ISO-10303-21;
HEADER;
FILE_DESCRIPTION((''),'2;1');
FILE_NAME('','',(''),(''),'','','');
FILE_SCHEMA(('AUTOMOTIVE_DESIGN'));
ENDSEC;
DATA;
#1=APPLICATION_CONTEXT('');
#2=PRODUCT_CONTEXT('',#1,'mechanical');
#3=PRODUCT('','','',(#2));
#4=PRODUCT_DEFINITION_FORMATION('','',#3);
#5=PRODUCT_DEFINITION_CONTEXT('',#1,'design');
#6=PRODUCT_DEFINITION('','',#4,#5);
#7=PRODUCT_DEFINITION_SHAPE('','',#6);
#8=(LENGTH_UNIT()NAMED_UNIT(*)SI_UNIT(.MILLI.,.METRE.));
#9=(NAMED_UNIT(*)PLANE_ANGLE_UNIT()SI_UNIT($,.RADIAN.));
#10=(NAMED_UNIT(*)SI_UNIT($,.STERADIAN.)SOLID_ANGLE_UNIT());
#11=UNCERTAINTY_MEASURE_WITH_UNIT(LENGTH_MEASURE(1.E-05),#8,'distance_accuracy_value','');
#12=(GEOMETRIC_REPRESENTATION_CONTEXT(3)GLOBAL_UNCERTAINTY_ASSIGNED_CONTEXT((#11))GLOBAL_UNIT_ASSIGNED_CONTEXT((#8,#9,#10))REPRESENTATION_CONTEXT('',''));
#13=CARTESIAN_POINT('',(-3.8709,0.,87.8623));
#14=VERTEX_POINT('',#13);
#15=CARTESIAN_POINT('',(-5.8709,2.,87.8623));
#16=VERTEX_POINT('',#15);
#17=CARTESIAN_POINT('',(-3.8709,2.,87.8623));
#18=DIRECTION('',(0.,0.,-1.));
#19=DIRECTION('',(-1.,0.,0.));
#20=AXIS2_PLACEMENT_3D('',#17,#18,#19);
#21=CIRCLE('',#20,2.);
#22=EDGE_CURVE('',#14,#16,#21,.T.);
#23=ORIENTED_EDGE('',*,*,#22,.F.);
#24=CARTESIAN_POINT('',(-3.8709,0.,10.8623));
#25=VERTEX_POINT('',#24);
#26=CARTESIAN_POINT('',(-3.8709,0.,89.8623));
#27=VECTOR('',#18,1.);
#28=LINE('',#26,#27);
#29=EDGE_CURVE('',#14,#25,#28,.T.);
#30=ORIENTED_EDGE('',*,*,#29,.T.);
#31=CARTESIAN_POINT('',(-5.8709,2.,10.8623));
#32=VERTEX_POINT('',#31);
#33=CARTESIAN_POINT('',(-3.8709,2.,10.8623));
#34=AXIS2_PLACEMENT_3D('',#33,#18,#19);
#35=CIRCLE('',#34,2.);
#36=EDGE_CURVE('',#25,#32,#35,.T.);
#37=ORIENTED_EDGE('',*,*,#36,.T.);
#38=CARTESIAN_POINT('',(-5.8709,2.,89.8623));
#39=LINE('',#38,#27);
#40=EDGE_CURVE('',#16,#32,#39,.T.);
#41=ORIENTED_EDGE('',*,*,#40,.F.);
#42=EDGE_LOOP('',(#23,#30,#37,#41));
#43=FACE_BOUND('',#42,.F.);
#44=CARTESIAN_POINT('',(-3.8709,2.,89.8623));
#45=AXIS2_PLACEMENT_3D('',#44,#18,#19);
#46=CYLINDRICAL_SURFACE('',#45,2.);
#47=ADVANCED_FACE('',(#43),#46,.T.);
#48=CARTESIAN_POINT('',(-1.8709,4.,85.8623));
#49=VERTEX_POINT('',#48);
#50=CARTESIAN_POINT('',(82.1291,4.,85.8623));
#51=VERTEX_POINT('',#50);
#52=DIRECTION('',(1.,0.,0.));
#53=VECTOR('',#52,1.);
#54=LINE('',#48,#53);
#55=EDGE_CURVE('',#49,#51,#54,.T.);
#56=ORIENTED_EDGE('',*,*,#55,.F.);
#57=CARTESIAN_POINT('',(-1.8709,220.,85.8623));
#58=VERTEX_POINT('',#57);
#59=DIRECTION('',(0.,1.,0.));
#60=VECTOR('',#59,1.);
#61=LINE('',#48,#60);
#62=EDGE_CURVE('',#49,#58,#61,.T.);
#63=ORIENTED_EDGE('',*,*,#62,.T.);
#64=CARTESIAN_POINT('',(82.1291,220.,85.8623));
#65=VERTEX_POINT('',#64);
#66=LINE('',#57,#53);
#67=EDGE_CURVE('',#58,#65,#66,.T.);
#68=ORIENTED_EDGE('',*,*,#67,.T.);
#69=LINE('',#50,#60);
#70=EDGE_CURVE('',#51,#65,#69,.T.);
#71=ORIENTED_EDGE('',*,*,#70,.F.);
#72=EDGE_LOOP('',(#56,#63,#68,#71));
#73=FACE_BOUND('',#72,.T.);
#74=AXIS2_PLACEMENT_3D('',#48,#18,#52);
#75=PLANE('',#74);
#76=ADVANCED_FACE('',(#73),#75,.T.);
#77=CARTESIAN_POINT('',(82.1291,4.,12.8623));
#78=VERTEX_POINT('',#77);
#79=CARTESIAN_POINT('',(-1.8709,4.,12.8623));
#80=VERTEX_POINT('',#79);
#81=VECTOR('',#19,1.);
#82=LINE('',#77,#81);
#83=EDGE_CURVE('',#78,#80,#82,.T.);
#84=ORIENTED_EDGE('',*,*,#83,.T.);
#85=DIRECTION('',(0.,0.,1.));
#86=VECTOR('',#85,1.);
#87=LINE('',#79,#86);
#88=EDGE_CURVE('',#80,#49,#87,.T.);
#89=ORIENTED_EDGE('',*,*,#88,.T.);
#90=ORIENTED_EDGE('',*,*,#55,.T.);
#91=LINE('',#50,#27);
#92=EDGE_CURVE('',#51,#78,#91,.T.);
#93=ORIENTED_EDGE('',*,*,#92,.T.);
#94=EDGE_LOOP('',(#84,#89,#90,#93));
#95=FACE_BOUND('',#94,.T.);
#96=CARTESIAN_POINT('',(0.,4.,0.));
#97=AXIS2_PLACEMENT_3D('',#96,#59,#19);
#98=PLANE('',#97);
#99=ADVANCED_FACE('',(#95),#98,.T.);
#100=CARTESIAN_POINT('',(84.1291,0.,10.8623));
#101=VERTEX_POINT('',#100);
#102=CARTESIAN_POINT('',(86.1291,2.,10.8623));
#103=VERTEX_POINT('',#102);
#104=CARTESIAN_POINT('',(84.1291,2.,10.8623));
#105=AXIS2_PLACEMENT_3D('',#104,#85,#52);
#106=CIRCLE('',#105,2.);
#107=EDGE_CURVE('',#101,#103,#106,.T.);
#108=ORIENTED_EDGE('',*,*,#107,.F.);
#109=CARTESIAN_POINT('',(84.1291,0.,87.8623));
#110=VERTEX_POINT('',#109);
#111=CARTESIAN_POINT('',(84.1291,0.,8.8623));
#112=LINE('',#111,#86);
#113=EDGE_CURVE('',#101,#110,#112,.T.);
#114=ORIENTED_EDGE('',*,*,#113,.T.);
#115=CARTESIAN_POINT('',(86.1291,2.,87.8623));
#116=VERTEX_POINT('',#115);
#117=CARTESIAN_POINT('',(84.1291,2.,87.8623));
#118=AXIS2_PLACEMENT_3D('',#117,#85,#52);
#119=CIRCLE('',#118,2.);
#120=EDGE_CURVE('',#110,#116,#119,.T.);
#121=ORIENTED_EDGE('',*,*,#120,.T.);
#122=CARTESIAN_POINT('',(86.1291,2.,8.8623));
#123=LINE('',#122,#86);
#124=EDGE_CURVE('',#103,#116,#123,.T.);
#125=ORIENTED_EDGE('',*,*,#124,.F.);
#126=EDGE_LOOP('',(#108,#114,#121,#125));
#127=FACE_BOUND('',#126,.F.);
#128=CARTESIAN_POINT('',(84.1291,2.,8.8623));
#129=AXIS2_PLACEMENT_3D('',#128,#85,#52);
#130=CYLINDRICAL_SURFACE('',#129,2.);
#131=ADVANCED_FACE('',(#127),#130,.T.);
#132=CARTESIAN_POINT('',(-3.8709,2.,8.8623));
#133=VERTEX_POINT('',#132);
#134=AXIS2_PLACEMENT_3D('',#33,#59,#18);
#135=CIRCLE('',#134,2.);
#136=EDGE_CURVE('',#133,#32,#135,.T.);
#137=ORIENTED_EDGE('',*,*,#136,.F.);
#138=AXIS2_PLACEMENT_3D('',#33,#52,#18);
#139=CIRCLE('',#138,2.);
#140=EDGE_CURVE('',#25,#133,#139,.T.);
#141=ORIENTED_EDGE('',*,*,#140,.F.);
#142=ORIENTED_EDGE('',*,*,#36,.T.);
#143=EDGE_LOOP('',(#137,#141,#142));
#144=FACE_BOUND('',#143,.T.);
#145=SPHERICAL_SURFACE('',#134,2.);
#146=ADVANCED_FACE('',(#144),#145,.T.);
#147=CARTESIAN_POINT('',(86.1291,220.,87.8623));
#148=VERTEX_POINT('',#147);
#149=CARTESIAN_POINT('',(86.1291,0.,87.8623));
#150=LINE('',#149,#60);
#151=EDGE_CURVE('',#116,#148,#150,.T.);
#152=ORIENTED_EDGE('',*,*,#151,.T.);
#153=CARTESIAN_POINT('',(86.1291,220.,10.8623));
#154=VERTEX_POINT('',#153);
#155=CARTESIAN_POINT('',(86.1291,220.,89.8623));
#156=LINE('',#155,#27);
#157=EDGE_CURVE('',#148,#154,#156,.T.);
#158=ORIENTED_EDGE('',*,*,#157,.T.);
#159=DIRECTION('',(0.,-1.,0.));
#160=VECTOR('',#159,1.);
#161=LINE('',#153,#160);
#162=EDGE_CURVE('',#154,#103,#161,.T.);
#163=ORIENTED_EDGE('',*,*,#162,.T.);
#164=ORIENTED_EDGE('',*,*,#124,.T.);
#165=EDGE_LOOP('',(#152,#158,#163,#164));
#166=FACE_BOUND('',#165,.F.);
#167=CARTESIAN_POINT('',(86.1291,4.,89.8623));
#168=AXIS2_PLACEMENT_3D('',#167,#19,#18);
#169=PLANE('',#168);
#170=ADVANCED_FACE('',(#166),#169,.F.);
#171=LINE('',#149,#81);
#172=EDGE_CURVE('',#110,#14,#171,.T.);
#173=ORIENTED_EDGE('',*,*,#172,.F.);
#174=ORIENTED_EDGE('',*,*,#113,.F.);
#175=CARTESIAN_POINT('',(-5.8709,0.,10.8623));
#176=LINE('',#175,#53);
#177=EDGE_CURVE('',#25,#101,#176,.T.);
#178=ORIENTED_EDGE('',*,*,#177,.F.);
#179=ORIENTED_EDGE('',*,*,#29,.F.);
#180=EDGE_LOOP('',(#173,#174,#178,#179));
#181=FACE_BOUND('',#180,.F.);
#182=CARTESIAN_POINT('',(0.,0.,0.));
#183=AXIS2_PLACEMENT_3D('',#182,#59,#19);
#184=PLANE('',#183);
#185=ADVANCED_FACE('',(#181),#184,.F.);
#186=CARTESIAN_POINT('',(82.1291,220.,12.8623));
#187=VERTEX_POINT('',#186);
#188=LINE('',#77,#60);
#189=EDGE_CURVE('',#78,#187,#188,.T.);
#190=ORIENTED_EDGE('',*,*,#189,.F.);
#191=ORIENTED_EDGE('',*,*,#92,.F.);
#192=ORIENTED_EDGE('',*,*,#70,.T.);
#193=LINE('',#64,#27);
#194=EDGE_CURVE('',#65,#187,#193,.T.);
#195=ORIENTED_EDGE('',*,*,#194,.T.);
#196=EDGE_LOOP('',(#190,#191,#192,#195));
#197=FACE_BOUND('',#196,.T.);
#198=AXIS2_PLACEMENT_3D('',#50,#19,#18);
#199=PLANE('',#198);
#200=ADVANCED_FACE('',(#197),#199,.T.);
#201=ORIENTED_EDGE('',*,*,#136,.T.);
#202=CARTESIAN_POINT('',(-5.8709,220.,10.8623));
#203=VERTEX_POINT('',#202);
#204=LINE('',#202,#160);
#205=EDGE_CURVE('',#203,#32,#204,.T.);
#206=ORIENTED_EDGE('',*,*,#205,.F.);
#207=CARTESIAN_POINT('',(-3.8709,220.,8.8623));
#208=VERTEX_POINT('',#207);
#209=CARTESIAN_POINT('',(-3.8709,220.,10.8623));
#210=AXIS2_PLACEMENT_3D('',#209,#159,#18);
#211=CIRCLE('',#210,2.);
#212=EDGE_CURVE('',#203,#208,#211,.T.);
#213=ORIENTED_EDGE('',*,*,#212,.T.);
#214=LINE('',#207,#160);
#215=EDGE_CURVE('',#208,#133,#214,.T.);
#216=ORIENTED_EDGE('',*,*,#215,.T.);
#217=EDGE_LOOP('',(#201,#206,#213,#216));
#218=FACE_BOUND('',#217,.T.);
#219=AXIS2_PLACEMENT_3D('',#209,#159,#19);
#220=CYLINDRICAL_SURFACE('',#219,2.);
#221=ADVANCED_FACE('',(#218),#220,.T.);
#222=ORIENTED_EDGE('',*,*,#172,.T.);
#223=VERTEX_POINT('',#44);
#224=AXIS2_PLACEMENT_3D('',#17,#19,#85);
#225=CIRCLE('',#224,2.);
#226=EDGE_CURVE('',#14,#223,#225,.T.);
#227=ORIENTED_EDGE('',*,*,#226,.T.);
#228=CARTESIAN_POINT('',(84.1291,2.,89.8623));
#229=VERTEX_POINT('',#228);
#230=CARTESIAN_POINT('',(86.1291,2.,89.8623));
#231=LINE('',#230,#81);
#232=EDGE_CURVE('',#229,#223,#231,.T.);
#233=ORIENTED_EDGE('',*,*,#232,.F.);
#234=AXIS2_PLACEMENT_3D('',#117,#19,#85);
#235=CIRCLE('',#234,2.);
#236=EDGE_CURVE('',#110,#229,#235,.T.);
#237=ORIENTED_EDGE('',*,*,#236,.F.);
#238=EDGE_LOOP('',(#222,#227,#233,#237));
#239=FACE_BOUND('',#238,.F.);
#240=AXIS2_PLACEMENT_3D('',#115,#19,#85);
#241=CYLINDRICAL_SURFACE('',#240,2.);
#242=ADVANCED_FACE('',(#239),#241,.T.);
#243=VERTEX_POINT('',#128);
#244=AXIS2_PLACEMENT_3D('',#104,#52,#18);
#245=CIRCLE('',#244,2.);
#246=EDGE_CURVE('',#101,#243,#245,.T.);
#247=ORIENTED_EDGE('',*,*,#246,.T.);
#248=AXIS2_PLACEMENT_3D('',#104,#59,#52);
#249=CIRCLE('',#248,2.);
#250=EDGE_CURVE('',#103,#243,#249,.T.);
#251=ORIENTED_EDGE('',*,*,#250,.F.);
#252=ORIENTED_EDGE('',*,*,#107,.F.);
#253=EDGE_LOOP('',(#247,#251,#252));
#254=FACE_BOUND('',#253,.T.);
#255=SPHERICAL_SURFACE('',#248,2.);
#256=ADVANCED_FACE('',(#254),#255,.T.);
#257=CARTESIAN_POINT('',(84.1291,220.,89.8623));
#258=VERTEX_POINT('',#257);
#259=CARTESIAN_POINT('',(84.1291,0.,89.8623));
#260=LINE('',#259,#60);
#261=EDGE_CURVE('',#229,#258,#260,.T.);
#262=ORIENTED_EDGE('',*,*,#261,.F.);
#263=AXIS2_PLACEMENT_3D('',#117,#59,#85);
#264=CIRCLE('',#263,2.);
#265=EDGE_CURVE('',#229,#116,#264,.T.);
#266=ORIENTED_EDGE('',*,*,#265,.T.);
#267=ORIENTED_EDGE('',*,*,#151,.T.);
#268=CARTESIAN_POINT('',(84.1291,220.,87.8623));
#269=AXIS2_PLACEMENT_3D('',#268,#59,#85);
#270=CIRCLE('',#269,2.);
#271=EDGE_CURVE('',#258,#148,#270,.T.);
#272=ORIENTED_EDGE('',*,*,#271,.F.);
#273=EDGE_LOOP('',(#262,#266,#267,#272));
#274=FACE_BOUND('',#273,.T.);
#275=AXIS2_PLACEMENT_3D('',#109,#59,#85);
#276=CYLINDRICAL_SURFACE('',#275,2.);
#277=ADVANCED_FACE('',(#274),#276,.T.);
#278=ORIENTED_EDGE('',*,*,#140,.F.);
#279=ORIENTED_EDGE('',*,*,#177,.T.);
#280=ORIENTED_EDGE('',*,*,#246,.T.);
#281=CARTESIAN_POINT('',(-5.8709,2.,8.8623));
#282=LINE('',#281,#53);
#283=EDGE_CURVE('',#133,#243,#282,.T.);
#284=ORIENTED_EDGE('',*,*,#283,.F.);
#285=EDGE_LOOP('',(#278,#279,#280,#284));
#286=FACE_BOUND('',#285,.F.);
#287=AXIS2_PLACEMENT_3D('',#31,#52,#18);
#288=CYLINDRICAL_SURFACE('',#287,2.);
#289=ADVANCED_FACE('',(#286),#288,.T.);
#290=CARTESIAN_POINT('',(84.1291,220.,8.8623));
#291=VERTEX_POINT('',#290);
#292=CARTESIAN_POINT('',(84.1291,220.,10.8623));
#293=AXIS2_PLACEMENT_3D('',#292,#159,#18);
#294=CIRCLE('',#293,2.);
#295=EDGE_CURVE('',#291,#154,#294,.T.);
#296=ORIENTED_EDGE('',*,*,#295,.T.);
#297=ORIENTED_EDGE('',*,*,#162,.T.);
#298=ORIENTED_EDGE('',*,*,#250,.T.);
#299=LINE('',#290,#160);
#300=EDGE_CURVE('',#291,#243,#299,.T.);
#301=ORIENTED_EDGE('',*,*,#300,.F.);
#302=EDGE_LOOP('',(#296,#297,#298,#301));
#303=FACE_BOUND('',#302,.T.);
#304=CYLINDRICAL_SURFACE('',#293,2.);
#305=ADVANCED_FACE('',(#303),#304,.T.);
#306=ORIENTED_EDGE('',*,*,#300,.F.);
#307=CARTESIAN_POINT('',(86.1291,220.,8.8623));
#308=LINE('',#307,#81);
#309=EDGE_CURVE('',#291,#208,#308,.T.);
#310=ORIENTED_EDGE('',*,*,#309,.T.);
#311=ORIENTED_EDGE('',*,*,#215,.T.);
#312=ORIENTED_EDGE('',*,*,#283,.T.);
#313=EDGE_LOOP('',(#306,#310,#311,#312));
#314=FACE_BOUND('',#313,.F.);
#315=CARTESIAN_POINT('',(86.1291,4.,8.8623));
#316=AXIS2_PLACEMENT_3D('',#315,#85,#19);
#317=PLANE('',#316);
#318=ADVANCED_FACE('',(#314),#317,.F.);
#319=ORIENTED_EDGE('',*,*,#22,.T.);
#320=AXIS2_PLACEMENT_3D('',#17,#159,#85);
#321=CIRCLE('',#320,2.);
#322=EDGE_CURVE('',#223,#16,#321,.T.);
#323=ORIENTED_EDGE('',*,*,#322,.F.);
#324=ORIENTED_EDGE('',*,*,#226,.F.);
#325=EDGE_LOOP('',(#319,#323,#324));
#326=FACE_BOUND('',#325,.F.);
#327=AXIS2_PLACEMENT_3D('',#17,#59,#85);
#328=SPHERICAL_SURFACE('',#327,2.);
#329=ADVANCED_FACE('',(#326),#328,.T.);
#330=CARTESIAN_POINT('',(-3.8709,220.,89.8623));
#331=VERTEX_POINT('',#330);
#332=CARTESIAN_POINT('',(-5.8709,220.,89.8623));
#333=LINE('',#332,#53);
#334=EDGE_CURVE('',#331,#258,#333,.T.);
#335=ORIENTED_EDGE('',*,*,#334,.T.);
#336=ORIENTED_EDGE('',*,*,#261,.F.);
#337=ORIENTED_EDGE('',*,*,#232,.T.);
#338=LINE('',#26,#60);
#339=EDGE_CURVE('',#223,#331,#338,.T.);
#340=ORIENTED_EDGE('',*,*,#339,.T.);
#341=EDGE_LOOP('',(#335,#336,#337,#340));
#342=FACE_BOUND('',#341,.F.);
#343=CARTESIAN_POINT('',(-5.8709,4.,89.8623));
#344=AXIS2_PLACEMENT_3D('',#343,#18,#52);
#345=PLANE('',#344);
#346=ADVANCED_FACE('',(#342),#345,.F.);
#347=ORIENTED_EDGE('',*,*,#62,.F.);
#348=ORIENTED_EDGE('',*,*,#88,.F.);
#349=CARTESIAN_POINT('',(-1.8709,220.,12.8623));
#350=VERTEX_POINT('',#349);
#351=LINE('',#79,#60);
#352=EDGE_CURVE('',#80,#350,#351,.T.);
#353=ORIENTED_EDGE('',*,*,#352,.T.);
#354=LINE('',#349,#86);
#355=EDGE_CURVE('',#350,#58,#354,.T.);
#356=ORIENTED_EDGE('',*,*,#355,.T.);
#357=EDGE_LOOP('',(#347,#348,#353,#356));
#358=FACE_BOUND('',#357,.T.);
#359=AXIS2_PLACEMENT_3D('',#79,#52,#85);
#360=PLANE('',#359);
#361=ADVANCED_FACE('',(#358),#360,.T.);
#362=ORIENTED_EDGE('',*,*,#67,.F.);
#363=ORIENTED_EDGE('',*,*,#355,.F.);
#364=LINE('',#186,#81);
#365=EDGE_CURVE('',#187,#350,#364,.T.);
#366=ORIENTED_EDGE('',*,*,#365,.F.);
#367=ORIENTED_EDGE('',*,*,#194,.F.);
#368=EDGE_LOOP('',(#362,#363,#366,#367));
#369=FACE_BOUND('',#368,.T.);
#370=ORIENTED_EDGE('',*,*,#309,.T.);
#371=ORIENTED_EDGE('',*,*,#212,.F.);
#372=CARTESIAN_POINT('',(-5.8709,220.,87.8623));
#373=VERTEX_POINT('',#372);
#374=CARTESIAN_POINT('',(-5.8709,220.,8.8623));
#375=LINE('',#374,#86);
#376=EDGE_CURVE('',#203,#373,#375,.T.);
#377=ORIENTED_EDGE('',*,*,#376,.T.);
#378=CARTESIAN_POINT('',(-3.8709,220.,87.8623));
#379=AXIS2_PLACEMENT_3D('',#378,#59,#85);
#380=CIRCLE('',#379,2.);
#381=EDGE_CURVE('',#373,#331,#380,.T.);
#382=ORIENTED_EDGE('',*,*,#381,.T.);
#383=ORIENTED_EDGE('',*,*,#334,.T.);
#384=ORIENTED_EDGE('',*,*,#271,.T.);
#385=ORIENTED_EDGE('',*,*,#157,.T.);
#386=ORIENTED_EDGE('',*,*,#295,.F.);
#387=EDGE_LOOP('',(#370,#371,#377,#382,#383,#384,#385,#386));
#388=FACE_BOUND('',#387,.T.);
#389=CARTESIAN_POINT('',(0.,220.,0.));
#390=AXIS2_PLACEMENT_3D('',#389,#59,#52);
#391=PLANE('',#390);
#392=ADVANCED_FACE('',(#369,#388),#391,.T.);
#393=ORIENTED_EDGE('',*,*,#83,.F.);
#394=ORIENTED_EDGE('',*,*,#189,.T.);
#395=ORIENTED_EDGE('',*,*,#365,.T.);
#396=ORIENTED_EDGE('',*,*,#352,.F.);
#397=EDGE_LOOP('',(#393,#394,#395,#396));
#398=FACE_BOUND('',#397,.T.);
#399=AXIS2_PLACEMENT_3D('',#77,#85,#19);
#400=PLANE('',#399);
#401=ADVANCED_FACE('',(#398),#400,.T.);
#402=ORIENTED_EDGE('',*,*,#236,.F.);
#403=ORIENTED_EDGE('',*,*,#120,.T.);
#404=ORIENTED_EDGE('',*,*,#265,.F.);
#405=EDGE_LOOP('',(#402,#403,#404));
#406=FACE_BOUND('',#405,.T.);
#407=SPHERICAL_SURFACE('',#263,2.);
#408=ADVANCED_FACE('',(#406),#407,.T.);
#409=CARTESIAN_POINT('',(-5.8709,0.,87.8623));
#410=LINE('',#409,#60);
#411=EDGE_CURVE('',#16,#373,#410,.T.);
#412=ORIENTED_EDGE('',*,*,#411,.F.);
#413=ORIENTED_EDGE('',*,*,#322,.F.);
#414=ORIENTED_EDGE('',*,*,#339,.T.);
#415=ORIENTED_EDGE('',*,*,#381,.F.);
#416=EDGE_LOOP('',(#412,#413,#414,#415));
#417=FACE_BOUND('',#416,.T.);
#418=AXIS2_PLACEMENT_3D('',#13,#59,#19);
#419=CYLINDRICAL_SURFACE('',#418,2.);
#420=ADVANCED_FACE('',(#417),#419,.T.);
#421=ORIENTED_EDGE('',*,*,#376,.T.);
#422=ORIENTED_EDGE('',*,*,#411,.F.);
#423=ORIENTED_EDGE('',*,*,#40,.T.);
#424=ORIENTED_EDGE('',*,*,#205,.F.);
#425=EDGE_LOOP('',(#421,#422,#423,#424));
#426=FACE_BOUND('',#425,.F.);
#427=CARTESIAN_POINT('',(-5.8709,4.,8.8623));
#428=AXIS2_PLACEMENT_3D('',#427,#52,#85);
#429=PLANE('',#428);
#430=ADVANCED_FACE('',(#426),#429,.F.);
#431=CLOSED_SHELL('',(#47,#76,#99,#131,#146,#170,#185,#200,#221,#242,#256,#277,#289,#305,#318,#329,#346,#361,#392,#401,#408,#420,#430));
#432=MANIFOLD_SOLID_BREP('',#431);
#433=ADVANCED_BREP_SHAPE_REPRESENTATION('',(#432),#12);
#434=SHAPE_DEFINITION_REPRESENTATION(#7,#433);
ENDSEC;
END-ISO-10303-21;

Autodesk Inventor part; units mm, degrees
ref_plane "YZ Plane" through (0, 0, 0) normal (1, 0, 0) x (0, 1, 0)
ref_plane "XZ Plane" through (0, 0, 0) normal (0, 1, 0) x (-1, 0, 0)
ref_plane "XY Plane" through (0, 0, 0) normal (0, 0, 1) x (1, 0, 0)
sketch "Sketch1" plane through (0, 0, 0) normal (0, 1, 0) x (-1, 0, 0)
  point P0 (0, 0)
sketch "Sketch2" plane through (0, 0, 0) normal (0, 1, 0) x (-1, 0, 0)
  line L0 (5.8709, 8.8623) -> (-86.1291, 8.8623)
  line L1 (-86.1291, 8.8623) -> (-86.1291, 89.8623)
  line L2 (-86.1291, 89.8623) -> (5.8709, 89.8623)
  line L3 (5.8709, 89.8623) -> (5.8709, 8.8623)
  line L4 (1.8709, 85.8623) -> (-82.1291, 85.8623)
  line L5 (-82.1291, 85.8623) -> (-82.1291, 12.8623)
  line L6 (-82.1291, 12.8623) -> (1.8709, 12.8623)
  line L7 (1.8709, 12.8623) -> (1.8709, 85.8623)
  point P0 (0, 0)
  dimension "d0" = 92
  dimension "d1" = 81
  dimension "d4" = 84
  dimension "d5" = 73
extrude "Extrusion1" add sketch "Sketch2" along normal blind 4 contours L0 L1 L2 L3 | L7 L6 L5 L4
sketch "Sketch3" plane through (0, 4, 0) normal (0, 1, 0) x (1, 0, 0)
  line L0 (-5.8709, -89.8623) -> (86.1291, -89.8623) projected
  line L1 (-1.8709, -89.8623) -> (2.1291, -89.8623) construction
  line L2 (-1.8709, -85.8623) -> (82.1291, -85.8623)
  line L3 (82.1291, -85.8623) -> (82.1291, -12.8623)
  line L4 (82.1291, -12.8623) -> (-1.8709, -12.8623)
  line L5 (-1.8709, -12.8623) -> (-1.8709, -85.8623)
  line L6 (86.1291, -89.8623) -> (86.1291, -8.8623) projected
  line L7 (-5.8709, -89.8623) -> (86.1291, -89.8623)
  line L8 (86.1291, -89.8623) -> (86.1291, -8.8623)
  line L9 (86.1291, -8.8623) -> (-5.8709, -8.8623)
  line L10 (-5.8709, -8.8623) -> (-5.8709, -89.8623)
  point P0 (0, 0)
  dimension "d9" = 4
  dimension "d11" = 84
  dimension "d12" = 73
extrude "Extrusion2" add sketch "Sketch3" along normal blind 216
fillet "Fillet1" radius 2 8 edges at (86.1291, 110, 89.8623) (86.1291, 110, 8.8623) (-5.8709, 110, 8.8623) (-5.8709, 110, 89.8623) (40.1291, 0, 89.8623) (86.1291, 0, 49.3623) (40.1291, 0, 8.8623) (-5.8709, 0, 49.3623)
properties part number "Battery Box Top_3DPrint"
